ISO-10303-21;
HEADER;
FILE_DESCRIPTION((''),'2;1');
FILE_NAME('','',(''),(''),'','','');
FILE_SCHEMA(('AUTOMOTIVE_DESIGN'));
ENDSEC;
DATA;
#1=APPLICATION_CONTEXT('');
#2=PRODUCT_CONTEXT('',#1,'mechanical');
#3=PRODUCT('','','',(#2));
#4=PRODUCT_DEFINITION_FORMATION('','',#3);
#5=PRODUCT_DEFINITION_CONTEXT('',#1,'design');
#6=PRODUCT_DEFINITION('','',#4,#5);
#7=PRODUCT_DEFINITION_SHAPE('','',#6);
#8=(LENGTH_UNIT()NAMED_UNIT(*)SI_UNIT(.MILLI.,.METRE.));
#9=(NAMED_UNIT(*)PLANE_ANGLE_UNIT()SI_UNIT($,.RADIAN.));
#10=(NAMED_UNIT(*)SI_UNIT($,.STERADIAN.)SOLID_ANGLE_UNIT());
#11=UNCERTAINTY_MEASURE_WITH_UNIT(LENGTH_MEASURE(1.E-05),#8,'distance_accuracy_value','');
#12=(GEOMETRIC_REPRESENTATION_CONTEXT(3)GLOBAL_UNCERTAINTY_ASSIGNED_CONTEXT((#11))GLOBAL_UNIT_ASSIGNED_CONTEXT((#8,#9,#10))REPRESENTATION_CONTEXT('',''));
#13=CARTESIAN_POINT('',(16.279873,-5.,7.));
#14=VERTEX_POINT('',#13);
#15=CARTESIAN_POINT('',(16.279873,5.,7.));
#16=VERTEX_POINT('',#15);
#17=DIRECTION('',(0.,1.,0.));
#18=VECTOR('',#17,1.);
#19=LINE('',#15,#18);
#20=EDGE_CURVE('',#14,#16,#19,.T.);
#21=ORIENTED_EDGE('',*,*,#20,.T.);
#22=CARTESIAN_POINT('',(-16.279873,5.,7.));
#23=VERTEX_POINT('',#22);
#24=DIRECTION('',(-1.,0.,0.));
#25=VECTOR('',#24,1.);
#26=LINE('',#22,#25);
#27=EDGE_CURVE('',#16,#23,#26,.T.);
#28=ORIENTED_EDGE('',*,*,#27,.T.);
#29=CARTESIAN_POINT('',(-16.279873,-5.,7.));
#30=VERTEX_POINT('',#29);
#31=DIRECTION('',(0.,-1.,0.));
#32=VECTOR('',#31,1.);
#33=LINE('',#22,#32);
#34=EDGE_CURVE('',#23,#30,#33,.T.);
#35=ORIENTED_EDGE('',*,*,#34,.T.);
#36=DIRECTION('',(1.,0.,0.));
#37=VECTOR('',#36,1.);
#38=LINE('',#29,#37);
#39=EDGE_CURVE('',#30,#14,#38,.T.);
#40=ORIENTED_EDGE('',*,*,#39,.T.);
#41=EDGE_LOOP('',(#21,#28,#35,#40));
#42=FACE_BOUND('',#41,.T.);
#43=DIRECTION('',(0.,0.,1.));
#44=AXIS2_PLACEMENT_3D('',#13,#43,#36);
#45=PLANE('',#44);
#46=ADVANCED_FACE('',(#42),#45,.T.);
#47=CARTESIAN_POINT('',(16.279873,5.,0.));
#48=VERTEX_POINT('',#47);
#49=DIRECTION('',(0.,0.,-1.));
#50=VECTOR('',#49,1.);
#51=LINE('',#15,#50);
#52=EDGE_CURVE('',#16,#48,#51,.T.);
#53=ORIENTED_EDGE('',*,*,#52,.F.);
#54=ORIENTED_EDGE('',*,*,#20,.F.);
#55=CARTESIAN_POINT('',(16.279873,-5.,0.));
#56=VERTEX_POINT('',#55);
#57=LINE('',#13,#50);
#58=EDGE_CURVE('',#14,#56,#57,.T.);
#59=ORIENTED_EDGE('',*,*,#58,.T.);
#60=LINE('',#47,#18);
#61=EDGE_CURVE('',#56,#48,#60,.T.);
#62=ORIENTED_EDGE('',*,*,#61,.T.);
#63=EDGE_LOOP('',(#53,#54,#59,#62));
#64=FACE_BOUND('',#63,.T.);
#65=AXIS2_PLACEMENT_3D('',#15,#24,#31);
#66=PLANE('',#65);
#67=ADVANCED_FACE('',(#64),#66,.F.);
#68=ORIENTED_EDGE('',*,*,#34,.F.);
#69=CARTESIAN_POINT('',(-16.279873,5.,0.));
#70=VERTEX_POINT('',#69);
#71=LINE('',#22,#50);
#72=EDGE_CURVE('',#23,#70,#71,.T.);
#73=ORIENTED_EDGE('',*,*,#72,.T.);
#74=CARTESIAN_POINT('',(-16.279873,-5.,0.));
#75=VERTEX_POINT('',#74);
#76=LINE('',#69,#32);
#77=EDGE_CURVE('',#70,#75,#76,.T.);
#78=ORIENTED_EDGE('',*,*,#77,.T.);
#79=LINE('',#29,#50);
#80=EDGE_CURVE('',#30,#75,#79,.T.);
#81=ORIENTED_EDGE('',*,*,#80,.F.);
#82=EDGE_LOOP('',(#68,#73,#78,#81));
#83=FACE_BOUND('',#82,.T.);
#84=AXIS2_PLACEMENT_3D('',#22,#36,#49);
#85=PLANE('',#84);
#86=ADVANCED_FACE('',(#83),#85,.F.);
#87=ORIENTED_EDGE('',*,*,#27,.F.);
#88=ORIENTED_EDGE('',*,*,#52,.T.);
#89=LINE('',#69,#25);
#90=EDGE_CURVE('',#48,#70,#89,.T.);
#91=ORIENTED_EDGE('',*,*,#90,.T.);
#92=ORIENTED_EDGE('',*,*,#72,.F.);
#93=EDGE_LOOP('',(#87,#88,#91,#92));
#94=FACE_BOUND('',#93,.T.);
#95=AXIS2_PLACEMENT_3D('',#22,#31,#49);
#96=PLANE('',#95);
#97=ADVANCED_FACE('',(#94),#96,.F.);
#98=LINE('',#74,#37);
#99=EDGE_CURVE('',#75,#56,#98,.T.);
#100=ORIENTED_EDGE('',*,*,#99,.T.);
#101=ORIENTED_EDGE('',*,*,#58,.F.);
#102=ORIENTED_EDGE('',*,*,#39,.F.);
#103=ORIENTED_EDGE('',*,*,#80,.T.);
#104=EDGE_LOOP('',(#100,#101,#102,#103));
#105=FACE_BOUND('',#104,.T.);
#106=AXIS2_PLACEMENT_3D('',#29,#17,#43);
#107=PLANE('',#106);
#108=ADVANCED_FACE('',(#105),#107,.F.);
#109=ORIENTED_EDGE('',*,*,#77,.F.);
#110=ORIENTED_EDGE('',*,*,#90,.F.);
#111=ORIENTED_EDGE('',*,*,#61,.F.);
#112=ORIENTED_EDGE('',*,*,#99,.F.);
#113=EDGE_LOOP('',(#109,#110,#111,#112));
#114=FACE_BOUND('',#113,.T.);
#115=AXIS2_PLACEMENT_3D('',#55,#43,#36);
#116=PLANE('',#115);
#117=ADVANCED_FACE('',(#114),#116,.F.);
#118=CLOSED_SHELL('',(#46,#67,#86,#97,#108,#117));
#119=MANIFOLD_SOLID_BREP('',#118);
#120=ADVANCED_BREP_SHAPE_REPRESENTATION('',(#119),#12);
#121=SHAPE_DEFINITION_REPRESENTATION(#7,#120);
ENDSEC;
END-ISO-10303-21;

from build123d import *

# Parameters (mm, degrees)
SKETCH_1_W      = 32.559746256
SKETCH_1_H      = 10
EXTRUDE_1_DEPTH = 7


with BuildPart() as part:
    # Эскиз1 → Вытянуть1 (new body)
    with BuildSketch(Plane.XY):
        Rectangle(SKETCH_1_W, SKETCH_1_H)
    extrude(amount=EXTRUDE_1_DEPTH)


solid = part.part
